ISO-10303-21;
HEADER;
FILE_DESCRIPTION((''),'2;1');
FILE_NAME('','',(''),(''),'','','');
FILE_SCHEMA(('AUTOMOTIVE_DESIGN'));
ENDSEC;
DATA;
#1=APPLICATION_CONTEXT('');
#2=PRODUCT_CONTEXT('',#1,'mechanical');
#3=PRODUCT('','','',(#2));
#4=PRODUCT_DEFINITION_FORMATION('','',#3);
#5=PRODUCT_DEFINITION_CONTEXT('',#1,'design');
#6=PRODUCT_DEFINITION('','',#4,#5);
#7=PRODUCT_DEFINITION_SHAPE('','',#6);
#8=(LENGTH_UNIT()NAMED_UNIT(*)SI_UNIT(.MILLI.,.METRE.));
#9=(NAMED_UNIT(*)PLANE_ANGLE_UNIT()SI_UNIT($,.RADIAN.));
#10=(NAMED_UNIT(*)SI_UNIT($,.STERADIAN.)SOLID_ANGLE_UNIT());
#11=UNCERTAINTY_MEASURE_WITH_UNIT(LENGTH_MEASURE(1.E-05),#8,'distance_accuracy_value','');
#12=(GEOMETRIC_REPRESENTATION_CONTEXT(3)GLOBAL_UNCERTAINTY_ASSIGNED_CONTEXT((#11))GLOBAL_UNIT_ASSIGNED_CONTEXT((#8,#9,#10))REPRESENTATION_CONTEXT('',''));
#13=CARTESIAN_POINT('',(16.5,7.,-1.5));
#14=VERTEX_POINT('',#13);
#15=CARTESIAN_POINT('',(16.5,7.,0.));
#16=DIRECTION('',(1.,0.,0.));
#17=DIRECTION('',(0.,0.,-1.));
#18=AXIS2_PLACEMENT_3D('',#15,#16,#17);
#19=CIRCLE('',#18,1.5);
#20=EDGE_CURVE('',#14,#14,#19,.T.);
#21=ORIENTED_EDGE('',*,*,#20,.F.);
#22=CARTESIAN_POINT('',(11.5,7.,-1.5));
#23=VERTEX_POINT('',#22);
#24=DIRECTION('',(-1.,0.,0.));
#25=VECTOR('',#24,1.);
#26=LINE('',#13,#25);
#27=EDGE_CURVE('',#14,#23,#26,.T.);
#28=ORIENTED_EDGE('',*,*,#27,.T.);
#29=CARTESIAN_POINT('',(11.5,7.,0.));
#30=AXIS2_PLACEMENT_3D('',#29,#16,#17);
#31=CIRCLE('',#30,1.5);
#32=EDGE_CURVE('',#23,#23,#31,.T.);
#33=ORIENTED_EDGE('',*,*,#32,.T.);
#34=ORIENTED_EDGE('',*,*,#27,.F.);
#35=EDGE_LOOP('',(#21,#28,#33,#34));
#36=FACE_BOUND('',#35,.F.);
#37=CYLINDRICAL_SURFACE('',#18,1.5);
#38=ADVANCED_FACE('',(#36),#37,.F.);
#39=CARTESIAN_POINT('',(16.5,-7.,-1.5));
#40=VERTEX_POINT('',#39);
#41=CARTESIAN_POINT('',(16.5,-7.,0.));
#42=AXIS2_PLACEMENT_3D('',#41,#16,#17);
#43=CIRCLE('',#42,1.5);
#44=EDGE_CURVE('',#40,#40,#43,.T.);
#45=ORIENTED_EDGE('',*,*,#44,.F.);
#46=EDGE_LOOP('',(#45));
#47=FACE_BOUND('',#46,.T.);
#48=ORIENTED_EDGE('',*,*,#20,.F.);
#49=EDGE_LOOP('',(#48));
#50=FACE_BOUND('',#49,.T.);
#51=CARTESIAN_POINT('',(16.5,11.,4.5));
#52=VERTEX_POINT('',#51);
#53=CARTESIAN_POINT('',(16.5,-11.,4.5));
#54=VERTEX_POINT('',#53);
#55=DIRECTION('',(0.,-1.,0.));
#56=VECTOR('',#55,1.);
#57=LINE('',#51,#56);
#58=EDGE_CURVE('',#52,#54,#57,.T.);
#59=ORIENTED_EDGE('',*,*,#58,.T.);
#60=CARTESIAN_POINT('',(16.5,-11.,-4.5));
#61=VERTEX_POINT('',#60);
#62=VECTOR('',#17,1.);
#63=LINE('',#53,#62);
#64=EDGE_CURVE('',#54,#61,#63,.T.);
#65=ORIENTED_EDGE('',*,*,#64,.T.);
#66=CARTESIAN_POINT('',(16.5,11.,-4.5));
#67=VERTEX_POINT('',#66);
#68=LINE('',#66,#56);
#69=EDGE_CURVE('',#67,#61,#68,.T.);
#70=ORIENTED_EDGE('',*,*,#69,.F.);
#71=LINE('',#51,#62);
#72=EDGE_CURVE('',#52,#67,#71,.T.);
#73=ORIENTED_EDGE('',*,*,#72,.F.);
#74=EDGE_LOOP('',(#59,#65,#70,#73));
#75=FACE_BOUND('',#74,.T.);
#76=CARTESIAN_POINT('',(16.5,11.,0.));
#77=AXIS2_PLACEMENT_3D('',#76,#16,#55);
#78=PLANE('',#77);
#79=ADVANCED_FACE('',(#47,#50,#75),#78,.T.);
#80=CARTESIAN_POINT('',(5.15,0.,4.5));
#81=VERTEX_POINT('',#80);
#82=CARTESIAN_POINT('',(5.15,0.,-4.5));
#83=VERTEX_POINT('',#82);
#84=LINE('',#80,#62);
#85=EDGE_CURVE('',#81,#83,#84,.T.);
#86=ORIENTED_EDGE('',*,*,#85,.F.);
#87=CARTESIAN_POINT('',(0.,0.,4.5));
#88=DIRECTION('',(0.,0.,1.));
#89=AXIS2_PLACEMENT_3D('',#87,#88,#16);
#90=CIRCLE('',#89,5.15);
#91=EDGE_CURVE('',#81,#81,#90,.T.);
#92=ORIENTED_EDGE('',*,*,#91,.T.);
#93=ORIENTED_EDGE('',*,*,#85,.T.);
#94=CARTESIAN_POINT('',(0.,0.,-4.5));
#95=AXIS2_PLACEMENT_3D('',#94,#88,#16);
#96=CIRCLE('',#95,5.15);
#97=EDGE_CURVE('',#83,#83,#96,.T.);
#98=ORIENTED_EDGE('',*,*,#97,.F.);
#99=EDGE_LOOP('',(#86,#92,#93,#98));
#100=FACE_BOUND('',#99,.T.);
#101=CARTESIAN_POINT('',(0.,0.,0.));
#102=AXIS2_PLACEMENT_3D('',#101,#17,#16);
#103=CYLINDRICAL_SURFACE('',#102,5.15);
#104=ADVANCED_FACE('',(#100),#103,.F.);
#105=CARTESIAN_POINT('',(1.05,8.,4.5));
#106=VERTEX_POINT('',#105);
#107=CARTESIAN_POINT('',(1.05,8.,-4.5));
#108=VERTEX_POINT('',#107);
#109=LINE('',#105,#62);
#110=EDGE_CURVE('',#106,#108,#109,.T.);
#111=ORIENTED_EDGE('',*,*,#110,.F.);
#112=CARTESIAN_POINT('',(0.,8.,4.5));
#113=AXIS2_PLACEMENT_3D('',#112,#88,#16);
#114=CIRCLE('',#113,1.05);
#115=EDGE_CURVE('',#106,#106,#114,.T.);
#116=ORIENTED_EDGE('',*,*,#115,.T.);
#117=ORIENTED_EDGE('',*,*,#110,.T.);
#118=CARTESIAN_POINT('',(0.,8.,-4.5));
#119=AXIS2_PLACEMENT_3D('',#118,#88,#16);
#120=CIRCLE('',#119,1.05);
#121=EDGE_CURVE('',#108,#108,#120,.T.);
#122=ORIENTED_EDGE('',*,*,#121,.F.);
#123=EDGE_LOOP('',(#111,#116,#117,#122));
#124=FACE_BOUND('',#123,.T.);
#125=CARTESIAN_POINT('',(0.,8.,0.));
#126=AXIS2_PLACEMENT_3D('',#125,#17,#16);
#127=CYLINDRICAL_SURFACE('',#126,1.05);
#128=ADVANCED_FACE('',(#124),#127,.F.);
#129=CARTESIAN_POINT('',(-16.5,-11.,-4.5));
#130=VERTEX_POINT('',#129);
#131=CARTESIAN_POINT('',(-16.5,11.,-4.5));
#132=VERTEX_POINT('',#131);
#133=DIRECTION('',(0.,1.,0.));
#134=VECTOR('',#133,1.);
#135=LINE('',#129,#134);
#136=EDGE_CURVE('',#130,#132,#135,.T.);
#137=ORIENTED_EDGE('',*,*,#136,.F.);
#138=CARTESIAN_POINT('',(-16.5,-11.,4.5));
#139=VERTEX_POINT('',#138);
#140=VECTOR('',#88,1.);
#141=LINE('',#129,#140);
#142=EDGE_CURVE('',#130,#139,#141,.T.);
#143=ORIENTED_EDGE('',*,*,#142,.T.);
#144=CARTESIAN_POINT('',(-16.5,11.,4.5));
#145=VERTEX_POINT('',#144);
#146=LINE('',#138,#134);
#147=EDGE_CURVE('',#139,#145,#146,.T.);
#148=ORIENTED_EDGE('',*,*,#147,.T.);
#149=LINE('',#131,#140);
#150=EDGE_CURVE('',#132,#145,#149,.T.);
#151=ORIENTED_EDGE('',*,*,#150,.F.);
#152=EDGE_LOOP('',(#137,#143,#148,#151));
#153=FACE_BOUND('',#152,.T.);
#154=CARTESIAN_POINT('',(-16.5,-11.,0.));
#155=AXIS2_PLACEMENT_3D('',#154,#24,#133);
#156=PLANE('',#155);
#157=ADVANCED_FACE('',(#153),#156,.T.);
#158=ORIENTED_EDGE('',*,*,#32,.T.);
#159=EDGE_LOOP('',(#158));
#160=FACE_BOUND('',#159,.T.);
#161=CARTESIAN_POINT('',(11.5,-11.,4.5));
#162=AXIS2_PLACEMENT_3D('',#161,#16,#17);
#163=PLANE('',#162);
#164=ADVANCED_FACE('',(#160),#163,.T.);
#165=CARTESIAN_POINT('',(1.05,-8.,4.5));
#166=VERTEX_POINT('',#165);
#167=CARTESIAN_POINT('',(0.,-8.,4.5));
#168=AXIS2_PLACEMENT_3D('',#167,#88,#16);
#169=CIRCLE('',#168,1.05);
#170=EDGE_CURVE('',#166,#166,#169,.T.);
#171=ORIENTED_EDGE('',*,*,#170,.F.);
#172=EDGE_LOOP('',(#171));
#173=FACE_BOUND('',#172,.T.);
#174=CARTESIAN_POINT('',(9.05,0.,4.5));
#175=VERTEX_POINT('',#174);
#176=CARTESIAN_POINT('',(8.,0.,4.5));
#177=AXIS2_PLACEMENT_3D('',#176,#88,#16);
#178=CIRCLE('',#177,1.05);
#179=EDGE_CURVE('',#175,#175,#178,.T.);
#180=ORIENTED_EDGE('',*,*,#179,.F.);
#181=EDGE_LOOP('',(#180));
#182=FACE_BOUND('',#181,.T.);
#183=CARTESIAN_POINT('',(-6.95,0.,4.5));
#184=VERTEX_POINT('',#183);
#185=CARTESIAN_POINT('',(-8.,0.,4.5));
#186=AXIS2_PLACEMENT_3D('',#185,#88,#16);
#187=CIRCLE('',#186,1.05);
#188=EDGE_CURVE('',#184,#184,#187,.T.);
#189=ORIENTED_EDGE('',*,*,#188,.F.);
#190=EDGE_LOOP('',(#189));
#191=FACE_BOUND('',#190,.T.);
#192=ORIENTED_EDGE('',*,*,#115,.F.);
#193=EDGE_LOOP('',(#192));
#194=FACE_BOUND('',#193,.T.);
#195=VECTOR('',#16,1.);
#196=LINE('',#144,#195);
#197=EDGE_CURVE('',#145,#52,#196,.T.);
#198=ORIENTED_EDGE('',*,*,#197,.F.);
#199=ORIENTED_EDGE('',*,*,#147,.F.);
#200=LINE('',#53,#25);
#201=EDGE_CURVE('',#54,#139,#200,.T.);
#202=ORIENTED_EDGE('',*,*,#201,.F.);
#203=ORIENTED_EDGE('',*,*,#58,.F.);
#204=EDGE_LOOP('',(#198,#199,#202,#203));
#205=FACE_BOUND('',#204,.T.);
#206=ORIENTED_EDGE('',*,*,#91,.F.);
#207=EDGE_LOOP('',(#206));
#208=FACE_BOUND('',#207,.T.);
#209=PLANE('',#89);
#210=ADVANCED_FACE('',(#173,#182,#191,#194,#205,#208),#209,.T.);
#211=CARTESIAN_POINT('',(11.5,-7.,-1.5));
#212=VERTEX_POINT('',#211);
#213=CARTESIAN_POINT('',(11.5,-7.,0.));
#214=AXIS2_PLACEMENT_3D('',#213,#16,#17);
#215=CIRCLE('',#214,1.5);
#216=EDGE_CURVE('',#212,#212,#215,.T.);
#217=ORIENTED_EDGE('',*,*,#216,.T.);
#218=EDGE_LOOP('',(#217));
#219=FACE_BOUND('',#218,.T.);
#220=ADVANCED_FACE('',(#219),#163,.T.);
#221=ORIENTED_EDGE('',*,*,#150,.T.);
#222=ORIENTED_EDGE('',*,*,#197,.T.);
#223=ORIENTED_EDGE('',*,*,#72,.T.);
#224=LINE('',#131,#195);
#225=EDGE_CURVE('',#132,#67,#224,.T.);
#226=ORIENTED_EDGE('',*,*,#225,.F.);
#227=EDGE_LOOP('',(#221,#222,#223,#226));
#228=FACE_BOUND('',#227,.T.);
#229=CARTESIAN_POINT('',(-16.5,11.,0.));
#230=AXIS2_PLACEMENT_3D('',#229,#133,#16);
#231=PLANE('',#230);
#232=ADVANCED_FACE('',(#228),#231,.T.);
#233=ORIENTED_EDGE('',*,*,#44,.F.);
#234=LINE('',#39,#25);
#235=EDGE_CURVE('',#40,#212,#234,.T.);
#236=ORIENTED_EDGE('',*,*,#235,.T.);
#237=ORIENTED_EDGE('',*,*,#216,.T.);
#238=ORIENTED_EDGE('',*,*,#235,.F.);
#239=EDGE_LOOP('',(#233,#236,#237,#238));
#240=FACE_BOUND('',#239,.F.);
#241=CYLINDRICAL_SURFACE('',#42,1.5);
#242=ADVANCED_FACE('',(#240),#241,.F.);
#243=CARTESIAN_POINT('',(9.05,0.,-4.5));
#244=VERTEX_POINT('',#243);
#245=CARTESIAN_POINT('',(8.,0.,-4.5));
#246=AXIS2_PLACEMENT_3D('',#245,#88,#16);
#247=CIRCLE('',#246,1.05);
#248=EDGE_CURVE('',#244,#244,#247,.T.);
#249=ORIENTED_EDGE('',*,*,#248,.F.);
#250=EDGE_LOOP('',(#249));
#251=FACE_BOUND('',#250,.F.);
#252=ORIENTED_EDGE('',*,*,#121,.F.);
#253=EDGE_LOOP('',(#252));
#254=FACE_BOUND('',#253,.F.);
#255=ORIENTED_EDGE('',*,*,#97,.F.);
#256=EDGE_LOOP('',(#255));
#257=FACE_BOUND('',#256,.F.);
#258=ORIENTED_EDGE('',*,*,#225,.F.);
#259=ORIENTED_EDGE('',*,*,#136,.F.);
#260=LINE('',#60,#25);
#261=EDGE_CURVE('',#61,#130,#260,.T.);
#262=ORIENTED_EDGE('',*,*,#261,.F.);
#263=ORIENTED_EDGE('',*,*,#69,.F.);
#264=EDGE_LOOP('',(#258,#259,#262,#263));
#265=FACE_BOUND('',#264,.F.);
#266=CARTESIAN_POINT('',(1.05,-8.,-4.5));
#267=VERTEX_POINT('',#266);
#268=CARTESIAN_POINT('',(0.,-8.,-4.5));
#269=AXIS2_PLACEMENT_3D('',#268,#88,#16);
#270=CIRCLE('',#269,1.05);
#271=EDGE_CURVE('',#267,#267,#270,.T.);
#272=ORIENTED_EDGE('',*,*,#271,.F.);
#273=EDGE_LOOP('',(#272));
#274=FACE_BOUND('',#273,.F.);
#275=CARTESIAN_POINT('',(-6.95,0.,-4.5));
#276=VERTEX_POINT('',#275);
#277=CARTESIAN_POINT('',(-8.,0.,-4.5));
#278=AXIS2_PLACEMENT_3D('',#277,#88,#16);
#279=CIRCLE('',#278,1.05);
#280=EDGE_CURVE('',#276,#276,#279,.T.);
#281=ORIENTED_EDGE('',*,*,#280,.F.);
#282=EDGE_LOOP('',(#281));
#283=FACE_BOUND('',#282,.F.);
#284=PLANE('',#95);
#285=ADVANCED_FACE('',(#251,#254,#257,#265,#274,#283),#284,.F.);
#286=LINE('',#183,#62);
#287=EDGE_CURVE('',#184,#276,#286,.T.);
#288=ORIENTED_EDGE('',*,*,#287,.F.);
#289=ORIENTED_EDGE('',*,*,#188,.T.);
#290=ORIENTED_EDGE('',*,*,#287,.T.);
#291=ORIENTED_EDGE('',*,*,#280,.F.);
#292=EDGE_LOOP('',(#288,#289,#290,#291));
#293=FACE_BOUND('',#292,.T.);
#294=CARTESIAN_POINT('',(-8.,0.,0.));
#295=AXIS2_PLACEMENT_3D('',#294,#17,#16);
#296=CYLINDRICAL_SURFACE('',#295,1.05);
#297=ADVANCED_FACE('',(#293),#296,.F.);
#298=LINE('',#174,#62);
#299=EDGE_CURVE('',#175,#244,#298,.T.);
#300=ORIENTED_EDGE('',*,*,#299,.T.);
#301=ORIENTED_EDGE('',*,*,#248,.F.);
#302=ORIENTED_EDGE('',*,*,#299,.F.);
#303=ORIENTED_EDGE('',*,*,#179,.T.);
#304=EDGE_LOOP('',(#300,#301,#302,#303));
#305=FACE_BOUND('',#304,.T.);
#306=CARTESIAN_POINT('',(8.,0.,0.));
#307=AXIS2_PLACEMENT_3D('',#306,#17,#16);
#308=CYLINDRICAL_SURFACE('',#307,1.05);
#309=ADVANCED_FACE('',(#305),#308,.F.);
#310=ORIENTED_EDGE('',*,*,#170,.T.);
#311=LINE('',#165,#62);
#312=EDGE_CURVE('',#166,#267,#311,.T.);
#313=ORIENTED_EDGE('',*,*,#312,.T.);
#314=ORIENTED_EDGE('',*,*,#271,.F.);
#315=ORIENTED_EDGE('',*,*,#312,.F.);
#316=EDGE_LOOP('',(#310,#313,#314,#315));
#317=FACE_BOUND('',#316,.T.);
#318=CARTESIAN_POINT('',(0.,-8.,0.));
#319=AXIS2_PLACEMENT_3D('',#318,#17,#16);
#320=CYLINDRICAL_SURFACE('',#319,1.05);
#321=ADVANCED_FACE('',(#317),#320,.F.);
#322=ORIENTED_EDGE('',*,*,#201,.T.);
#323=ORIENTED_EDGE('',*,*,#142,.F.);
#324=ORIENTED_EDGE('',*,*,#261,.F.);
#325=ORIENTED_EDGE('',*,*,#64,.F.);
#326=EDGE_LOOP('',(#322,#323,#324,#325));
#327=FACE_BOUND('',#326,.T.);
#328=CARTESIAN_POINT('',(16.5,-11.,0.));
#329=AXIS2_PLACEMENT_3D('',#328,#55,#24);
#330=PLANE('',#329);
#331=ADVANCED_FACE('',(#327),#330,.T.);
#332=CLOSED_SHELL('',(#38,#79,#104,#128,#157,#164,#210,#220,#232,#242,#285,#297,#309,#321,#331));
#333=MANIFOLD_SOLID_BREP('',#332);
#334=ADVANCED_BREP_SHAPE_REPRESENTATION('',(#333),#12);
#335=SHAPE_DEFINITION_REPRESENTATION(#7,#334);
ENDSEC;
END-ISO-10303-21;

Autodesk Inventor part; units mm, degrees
ref_plane "YZ Plane" through (0, 0, 0) normal (1, 0, 0) x (0, 1, 0)
ref_plane "XZ Plane" through (0, 0, 0) normal (0, 1, 0) x (-1, 0, 0)
ref_plane "XY Plane" through (0, 0, 0) normal (0, 0, 1) x (1, 0, 0)
sketch "Sketch1" plane through (0, 0, 0) normal (0, 0, 1) x (1, 0, 0)
  line L0 (-16.5, 11) -> (16.5, 11)
  line L1 (16.5, 11) -> (16.5, -11)
  line L2 (16.5, -11) -> (-16.5, -11)
  line L3 (-16.5, -11) -> (-16.5, 11)
  line L4 (-16.5, 11) -> (16.5, -11) construction
  line L5 (16.5, 11) -> (-16.5, -11) construction
  line L6 (-16.5, 11) -> (16.5, -11) construction
  line L7 (16.5, 11) -> (-16.5, -11) construction
  circle A0 centre (0, 0) radius 5.15
  circle A1 centre (0, 8) radius 1.05
  circle A2 centre (-8, 0) radius 1.05
  circle A3 centre (0, -8) radius 1.05
  circle A4 centre (8, 0) radius 1.05
  dimension "d0" = 33
  dimension "d1" = 22
  dimension "d5" = 22
  dimension "d6" = 10.3
  dimension "d7" = 8
  dimension "d8" = 360
  dimension "d9" = 2.1
extrude "Extrusion1" add sketch "Sketch1" along normal mid plane 9
sketch "Sketch2" plane through (16.5, -11, 4.5) normal (1, 0, 0) x (0, 0, -1)
  circle A0 centre (4.5, 4) radius 1.5
  circle A1 centre (4.5, 18) radius 1.5
  line L0 (9, 0) -> (0, 0) projected
  line L1 (0, 11) -> (9, 11) construction
  line L2 (9, 22) -> (9, 0) projected
  line L3 (0, 0) -> (0, 22) projected
  point P0 (4.5, 11)
  point P1 (4.5, 0)
  dimension "d12" = 3
  dimension "d13" = 4
extrude "Extrusion2" cut sketch "Sketch2" against normal blind 5
properties part number "rosca_trapezoidal_001" material "ABS Plastic"
